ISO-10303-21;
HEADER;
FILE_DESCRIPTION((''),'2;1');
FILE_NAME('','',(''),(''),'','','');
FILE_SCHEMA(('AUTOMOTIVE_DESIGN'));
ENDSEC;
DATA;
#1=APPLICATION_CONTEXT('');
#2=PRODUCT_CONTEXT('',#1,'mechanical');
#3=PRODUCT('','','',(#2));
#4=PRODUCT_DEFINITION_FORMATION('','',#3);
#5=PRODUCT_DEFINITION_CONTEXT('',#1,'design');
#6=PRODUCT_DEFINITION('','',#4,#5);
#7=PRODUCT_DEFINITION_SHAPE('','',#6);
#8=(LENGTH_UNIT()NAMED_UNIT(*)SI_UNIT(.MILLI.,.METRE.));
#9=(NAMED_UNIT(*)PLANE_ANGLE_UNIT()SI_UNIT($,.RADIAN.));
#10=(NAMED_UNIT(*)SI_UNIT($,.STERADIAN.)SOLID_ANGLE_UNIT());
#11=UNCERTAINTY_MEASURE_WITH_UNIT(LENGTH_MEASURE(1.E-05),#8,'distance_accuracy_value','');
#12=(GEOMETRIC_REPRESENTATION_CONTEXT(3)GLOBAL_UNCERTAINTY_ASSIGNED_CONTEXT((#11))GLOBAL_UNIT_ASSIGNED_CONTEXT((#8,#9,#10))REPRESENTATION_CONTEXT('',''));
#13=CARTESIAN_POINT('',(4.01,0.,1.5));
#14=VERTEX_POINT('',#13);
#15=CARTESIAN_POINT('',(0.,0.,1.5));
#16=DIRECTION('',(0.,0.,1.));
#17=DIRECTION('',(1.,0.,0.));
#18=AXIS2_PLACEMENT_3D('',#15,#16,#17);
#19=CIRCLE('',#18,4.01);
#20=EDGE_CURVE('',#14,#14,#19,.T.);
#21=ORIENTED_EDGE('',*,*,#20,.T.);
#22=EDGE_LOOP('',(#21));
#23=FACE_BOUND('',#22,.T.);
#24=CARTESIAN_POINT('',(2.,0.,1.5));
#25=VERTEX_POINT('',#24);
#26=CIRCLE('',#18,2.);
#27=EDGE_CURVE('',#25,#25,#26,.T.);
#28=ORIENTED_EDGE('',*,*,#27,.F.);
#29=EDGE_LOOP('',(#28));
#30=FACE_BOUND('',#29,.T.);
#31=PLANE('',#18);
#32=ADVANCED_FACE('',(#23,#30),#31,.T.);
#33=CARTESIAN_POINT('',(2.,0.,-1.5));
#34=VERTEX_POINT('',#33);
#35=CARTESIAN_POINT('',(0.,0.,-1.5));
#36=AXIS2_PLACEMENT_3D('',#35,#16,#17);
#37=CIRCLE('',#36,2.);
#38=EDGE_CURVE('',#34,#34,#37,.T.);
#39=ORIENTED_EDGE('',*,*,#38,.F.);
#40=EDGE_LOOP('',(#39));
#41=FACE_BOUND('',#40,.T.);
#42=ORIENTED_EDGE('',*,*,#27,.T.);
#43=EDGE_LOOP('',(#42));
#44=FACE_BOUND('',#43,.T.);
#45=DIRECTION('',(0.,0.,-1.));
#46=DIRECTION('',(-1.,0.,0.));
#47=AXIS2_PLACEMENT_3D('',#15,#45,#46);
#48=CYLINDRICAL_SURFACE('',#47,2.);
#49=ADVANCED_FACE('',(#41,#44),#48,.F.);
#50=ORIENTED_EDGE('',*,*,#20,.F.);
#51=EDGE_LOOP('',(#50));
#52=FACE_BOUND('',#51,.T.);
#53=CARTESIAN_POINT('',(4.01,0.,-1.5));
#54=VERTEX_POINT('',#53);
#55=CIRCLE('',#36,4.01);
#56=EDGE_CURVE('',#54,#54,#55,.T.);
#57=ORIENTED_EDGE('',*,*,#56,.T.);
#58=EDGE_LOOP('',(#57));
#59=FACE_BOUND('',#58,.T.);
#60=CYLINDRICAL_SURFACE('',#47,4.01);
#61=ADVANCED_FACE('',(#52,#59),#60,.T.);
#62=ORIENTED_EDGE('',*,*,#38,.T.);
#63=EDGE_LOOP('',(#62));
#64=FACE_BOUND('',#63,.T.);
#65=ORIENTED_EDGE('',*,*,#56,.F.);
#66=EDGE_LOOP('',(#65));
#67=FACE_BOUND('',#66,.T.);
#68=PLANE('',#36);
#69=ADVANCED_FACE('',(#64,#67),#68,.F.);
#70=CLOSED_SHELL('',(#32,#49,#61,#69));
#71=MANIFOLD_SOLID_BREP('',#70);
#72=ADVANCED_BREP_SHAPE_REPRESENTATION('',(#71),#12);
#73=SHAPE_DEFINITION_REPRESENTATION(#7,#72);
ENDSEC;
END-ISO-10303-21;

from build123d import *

# Parameters (mm, degrees)
SKETCH1_R      = 4.01
SKETCH1_R_2    = 2
EXTRUDE1_DEPTH = 1.5


with BuildPart() as part:
    # Sketch1 → Extrude1 (new body, symmetric)
    with BuildSketch(Plane.XY):
        Circle(SKETCH1_R)
        Circle(SKETCH1_R_2, mode=Mode.SUBTRACT)
    extrude(amount=EXTRUDE1_DEPTH, both=True)


solid = part.part
